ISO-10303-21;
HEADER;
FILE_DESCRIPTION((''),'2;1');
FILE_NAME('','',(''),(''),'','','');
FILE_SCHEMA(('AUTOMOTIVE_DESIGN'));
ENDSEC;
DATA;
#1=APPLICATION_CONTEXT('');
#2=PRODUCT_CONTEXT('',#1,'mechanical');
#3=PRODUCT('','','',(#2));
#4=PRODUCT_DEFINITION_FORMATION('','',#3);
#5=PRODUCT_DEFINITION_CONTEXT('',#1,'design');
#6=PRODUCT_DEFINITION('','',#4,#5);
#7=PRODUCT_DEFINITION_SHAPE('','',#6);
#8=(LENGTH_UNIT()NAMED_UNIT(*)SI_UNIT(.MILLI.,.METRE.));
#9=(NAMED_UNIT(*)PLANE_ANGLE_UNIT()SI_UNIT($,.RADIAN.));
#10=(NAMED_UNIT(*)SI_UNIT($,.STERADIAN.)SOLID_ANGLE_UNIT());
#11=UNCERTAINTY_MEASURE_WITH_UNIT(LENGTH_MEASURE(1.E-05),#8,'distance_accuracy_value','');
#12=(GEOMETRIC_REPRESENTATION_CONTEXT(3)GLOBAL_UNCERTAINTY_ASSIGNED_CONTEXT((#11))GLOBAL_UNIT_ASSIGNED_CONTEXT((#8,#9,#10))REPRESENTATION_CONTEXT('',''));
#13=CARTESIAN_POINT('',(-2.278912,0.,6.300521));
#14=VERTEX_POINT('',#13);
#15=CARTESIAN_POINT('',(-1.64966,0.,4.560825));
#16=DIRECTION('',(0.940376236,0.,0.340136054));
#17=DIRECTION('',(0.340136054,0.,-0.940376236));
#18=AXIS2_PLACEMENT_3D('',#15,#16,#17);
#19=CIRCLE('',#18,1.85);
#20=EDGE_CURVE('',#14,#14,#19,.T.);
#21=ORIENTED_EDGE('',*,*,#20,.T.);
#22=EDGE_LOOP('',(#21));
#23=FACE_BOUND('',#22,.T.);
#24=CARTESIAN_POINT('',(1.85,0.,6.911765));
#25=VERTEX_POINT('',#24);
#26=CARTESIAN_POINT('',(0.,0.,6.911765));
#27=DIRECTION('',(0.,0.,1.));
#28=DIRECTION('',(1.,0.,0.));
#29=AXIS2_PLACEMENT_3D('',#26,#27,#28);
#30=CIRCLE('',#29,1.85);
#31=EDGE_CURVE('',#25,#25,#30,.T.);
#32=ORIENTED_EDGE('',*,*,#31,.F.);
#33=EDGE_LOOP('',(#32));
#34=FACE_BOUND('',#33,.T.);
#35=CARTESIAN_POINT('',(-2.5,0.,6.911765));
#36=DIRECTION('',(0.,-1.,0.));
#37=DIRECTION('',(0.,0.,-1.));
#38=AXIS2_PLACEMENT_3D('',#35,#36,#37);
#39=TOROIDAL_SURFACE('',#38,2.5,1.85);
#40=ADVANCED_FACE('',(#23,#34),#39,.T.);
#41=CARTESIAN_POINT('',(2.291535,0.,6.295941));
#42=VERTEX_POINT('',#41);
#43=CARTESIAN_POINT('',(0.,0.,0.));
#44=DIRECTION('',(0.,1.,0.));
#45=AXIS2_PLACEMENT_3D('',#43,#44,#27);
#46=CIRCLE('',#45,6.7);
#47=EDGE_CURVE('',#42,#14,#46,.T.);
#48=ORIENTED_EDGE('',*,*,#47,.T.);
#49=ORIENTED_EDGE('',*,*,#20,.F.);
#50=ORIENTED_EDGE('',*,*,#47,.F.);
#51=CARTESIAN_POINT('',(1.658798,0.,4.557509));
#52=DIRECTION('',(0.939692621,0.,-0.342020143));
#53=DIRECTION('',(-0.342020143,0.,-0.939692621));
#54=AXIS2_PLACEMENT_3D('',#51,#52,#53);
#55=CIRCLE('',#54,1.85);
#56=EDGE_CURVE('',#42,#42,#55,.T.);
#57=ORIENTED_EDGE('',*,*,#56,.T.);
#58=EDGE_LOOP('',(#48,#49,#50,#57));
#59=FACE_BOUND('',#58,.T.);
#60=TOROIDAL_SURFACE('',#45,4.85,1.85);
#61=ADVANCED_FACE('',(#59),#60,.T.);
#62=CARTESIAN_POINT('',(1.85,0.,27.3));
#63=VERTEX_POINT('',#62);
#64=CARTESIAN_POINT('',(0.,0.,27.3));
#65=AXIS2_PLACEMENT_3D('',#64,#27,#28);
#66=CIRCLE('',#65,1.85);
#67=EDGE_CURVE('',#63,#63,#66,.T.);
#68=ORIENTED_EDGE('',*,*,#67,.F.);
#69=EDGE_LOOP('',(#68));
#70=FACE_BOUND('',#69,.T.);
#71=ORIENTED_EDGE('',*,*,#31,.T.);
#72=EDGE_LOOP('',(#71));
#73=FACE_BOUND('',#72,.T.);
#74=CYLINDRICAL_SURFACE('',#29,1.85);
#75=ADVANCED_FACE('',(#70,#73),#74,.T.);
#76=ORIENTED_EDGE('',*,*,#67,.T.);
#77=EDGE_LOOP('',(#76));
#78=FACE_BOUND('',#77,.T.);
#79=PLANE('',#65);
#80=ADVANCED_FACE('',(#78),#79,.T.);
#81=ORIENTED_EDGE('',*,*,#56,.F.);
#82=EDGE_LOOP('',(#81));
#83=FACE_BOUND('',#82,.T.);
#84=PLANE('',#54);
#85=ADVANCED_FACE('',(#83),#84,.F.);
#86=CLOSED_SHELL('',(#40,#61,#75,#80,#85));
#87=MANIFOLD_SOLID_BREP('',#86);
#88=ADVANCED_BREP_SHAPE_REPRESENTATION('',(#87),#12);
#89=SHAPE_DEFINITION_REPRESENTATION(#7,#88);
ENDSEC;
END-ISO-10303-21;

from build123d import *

# Parameters (mm, degrees)
SKETCH2_R = 1.85


with BuildPart() as part:
    # Sweep1: sweep along a path in Sketch1
    with BuildLine(Plane(origin=(0, 0, 0), x_dir=(1, 0, 0), z_dir=(0, 1, 0))) as sweep1_path:
        Line((0, -27.3), (0, -6.911765332))
        ThreePointArc((0, -6.911765332), (-0.453557924, -5.475772703), (-1.649659864, -4.560824743))
        ThreePointArc((-1.649659864, -4.560824743), (-0.004860368, 4.849997565), (1.658797695, -4.557509211))
    # Sketch2 → Sweep1 (sweep)
    with BuildSketch(Plane.XY.offset(27.3)):
        Circle(SKETCH2_R)
    sweep(path=sweep1_path.line)


solid = part.part
